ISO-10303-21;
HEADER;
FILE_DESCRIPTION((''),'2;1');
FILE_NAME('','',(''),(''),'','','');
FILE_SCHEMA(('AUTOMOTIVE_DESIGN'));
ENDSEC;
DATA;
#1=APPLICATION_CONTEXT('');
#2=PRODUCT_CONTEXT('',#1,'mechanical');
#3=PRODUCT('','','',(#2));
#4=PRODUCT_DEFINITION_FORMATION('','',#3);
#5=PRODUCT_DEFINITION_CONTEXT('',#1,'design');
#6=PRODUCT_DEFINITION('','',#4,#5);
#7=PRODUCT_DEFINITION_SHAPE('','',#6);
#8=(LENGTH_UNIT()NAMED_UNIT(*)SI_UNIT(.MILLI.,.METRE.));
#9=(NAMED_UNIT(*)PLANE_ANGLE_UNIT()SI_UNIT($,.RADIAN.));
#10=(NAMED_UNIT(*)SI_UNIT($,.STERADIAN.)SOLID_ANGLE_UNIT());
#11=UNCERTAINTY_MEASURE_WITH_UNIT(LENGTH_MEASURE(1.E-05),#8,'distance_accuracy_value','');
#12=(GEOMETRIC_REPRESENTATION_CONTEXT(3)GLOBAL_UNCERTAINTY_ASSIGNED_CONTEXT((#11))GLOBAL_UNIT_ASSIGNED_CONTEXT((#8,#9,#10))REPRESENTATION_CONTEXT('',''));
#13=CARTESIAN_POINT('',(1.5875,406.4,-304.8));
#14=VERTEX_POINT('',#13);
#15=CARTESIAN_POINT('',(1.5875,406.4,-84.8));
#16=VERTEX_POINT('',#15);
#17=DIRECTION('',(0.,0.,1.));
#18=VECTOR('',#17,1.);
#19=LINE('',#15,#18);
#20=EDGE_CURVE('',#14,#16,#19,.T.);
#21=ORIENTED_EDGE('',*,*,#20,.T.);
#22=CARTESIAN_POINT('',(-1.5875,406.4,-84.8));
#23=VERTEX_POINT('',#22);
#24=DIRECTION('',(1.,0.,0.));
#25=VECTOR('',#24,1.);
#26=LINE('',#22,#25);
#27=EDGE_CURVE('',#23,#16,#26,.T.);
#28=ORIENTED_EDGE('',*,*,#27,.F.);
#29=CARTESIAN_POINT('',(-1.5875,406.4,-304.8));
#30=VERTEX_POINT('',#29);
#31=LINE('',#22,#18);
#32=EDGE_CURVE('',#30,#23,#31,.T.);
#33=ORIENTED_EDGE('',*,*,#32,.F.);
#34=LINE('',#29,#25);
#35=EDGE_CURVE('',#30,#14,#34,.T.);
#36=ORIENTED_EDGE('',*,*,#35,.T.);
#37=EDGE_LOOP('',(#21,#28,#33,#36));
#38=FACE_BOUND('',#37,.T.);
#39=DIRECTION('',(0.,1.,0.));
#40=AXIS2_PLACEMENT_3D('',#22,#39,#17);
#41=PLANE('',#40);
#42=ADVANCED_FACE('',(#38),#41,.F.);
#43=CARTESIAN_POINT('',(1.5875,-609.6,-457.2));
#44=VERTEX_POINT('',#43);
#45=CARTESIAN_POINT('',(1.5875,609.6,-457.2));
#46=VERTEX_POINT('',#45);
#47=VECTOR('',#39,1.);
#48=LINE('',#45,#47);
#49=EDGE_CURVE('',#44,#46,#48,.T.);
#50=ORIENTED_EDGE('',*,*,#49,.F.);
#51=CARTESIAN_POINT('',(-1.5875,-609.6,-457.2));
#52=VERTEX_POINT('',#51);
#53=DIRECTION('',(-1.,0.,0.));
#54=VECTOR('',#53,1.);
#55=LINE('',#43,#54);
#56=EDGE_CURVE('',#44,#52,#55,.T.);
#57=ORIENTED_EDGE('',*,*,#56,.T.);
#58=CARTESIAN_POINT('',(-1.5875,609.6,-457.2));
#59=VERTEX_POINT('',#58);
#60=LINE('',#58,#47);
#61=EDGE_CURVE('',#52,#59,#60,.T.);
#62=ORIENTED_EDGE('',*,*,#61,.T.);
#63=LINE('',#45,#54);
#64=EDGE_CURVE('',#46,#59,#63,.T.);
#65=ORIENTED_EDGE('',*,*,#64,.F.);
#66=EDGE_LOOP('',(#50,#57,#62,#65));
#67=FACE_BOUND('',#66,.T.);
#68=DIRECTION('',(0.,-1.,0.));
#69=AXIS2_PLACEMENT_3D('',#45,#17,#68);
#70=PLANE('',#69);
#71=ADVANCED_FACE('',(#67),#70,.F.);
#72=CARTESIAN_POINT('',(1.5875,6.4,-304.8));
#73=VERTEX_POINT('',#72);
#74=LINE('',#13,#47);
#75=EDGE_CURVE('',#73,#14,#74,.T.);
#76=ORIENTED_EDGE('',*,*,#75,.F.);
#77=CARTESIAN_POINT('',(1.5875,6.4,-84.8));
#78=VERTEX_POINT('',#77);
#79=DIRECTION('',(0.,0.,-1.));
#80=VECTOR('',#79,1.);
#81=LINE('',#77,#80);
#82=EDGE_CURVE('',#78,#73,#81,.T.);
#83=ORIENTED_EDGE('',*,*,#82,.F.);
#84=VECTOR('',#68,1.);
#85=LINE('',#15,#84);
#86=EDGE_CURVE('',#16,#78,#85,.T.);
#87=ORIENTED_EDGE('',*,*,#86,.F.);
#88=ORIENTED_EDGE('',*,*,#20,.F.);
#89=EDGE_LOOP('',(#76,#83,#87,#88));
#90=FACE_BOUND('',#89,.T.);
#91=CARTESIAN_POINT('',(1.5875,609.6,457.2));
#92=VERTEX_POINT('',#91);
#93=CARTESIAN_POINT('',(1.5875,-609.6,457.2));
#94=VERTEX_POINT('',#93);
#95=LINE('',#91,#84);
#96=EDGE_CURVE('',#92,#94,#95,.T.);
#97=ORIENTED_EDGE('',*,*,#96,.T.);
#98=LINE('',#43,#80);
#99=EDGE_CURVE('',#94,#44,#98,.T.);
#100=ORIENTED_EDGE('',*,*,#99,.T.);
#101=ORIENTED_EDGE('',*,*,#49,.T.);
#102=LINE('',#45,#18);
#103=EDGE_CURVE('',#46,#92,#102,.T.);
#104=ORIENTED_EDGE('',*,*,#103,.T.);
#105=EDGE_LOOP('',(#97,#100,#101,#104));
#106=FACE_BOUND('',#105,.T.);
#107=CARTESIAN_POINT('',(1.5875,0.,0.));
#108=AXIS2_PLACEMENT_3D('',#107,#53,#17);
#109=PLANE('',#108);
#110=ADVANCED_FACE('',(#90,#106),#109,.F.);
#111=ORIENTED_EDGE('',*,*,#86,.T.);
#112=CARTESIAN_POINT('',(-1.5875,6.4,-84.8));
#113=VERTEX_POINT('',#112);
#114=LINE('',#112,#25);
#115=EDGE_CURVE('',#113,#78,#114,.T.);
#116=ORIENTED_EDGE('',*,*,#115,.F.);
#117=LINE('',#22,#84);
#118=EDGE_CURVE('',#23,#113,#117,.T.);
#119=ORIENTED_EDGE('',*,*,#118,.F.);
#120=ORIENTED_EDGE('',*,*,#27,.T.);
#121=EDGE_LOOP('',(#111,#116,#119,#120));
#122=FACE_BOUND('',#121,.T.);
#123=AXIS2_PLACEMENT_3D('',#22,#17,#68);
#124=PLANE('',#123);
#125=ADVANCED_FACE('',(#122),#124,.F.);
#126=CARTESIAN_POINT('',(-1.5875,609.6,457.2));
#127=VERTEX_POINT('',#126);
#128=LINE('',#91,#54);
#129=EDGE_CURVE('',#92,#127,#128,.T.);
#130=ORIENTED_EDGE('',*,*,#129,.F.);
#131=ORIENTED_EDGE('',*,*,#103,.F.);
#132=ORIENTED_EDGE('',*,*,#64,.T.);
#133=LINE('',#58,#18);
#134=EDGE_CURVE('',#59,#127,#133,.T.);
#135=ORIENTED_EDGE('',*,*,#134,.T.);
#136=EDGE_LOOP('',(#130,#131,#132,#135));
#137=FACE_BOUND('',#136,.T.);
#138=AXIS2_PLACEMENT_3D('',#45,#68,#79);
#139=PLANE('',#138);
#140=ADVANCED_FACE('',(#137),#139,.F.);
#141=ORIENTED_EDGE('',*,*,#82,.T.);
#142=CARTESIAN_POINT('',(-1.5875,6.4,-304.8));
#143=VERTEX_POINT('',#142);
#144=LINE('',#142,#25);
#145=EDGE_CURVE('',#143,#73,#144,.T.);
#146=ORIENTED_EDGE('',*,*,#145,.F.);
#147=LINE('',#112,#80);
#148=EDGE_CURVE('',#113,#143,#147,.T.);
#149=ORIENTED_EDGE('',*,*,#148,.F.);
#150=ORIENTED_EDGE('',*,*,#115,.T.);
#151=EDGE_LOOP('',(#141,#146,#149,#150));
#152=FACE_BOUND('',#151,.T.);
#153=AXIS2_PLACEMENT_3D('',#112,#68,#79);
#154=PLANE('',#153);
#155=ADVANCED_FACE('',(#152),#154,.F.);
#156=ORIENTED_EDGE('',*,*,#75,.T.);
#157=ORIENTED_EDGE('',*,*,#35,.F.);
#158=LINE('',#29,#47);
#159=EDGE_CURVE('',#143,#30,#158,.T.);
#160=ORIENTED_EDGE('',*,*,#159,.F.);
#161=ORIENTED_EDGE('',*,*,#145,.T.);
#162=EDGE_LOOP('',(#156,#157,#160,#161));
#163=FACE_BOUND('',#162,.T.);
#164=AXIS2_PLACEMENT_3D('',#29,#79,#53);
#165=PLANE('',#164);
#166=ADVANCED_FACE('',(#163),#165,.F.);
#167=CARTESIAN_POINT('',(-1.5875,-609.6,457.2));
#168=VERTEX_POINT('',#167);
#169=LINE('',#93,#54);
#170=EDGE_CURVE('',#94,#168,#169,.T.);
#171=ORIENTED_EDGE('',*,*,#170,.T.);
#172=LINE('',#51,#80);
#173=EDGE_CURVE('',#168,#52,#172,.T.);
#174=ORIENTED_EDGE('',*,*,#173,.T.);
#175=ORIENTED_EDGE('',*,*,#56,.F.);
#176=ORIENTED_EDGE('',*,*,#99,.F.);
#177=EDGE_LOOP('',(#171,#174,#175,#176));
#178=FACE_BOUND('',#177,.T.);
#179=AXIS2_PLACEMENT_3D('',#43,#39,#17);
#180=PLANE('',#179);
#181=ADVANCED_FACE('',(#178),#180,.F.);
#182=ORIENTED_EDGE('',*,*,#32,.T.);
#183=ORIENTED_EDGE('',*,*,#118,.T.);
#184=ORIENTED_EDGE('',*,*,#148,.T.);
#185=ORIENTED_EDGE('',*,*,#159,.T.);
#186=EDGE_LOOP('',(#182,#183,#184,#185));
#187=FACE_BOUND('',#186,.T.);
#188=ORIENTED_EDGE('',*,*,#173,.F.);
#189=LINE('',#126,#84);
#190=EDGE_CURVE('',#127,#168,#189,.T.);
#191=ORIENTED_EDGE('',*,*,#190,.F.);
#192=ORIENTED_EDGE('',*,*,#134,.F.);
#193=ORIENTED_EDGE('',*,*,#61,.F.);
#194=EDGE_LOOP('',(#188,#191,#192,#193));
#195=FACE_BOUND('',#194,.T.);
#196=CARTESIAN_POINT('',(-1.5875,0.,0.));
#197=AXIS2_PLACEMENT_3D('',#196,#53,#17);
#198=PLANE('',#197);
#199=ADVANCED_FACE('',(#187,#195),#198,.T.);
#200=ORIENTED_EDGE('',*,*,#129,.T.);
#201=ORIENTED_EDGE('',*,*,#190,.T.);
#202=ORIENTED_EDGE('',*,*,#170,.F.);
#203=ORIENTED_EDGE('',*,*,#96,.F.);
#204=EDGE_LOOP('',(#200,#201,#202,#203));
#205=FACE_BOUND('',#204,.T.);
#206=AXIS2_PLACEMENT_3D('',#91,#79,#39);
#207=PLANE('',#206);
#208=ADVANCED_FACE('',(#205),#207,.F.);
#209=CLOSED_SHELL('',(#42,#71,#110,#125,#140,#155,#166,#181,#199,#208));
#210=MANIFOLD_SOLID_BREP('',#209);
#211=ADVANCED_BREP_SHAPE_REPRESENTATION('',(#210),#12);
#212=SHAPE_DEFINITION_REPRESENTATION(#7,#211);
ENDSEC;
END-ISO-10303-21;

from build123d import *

# Parameters (mm, degrees)
SKETCH1_W            = 914.4
SKETCH1_H            = 1219.2
PLATE_BASE_DEPTH     = 1.5875
TANK_HOLE_DEPTH      = 763.001653644
TANK_HOLE_DEPTH_BACK = 763.001653644
SKETCH4_W            = 220
SKETCH4_H            = 400


with BuildPart() as part:
    # Sketch1 → Plate_Base (new, symmetric)
    with BuildSketch(Plane(origin=(0, 0, 0), x_dir=(0, 0, -1), z_dir=(1, 0, 0))):
        Rectangle(SKETCH1_W, SKETCH1_H)
    extrude(amount=PLATE_BASE_DEPTH, both=True)

    # Sketch4 → Tank_Hole (cut, two sides: drawn at the far end of the back side and taken through both)
    with BuildSketch(Plane(origin=(0, 0, 0), x_dir=(0, 0, -1), z_dir=(1, 0, 0)).offset(-TANK_HOLE_DEPTH_BACK)):
        with Locations((194.8, 206.4)):
            Rectangle(SKETCH4_W, SKETCH4_H)
    extrude(amount=TANK_HOLE_DEPTH + TANK_HOLE_DEPTH_BACK, mode=Mode.SUBTRACT)


solid = part.part
